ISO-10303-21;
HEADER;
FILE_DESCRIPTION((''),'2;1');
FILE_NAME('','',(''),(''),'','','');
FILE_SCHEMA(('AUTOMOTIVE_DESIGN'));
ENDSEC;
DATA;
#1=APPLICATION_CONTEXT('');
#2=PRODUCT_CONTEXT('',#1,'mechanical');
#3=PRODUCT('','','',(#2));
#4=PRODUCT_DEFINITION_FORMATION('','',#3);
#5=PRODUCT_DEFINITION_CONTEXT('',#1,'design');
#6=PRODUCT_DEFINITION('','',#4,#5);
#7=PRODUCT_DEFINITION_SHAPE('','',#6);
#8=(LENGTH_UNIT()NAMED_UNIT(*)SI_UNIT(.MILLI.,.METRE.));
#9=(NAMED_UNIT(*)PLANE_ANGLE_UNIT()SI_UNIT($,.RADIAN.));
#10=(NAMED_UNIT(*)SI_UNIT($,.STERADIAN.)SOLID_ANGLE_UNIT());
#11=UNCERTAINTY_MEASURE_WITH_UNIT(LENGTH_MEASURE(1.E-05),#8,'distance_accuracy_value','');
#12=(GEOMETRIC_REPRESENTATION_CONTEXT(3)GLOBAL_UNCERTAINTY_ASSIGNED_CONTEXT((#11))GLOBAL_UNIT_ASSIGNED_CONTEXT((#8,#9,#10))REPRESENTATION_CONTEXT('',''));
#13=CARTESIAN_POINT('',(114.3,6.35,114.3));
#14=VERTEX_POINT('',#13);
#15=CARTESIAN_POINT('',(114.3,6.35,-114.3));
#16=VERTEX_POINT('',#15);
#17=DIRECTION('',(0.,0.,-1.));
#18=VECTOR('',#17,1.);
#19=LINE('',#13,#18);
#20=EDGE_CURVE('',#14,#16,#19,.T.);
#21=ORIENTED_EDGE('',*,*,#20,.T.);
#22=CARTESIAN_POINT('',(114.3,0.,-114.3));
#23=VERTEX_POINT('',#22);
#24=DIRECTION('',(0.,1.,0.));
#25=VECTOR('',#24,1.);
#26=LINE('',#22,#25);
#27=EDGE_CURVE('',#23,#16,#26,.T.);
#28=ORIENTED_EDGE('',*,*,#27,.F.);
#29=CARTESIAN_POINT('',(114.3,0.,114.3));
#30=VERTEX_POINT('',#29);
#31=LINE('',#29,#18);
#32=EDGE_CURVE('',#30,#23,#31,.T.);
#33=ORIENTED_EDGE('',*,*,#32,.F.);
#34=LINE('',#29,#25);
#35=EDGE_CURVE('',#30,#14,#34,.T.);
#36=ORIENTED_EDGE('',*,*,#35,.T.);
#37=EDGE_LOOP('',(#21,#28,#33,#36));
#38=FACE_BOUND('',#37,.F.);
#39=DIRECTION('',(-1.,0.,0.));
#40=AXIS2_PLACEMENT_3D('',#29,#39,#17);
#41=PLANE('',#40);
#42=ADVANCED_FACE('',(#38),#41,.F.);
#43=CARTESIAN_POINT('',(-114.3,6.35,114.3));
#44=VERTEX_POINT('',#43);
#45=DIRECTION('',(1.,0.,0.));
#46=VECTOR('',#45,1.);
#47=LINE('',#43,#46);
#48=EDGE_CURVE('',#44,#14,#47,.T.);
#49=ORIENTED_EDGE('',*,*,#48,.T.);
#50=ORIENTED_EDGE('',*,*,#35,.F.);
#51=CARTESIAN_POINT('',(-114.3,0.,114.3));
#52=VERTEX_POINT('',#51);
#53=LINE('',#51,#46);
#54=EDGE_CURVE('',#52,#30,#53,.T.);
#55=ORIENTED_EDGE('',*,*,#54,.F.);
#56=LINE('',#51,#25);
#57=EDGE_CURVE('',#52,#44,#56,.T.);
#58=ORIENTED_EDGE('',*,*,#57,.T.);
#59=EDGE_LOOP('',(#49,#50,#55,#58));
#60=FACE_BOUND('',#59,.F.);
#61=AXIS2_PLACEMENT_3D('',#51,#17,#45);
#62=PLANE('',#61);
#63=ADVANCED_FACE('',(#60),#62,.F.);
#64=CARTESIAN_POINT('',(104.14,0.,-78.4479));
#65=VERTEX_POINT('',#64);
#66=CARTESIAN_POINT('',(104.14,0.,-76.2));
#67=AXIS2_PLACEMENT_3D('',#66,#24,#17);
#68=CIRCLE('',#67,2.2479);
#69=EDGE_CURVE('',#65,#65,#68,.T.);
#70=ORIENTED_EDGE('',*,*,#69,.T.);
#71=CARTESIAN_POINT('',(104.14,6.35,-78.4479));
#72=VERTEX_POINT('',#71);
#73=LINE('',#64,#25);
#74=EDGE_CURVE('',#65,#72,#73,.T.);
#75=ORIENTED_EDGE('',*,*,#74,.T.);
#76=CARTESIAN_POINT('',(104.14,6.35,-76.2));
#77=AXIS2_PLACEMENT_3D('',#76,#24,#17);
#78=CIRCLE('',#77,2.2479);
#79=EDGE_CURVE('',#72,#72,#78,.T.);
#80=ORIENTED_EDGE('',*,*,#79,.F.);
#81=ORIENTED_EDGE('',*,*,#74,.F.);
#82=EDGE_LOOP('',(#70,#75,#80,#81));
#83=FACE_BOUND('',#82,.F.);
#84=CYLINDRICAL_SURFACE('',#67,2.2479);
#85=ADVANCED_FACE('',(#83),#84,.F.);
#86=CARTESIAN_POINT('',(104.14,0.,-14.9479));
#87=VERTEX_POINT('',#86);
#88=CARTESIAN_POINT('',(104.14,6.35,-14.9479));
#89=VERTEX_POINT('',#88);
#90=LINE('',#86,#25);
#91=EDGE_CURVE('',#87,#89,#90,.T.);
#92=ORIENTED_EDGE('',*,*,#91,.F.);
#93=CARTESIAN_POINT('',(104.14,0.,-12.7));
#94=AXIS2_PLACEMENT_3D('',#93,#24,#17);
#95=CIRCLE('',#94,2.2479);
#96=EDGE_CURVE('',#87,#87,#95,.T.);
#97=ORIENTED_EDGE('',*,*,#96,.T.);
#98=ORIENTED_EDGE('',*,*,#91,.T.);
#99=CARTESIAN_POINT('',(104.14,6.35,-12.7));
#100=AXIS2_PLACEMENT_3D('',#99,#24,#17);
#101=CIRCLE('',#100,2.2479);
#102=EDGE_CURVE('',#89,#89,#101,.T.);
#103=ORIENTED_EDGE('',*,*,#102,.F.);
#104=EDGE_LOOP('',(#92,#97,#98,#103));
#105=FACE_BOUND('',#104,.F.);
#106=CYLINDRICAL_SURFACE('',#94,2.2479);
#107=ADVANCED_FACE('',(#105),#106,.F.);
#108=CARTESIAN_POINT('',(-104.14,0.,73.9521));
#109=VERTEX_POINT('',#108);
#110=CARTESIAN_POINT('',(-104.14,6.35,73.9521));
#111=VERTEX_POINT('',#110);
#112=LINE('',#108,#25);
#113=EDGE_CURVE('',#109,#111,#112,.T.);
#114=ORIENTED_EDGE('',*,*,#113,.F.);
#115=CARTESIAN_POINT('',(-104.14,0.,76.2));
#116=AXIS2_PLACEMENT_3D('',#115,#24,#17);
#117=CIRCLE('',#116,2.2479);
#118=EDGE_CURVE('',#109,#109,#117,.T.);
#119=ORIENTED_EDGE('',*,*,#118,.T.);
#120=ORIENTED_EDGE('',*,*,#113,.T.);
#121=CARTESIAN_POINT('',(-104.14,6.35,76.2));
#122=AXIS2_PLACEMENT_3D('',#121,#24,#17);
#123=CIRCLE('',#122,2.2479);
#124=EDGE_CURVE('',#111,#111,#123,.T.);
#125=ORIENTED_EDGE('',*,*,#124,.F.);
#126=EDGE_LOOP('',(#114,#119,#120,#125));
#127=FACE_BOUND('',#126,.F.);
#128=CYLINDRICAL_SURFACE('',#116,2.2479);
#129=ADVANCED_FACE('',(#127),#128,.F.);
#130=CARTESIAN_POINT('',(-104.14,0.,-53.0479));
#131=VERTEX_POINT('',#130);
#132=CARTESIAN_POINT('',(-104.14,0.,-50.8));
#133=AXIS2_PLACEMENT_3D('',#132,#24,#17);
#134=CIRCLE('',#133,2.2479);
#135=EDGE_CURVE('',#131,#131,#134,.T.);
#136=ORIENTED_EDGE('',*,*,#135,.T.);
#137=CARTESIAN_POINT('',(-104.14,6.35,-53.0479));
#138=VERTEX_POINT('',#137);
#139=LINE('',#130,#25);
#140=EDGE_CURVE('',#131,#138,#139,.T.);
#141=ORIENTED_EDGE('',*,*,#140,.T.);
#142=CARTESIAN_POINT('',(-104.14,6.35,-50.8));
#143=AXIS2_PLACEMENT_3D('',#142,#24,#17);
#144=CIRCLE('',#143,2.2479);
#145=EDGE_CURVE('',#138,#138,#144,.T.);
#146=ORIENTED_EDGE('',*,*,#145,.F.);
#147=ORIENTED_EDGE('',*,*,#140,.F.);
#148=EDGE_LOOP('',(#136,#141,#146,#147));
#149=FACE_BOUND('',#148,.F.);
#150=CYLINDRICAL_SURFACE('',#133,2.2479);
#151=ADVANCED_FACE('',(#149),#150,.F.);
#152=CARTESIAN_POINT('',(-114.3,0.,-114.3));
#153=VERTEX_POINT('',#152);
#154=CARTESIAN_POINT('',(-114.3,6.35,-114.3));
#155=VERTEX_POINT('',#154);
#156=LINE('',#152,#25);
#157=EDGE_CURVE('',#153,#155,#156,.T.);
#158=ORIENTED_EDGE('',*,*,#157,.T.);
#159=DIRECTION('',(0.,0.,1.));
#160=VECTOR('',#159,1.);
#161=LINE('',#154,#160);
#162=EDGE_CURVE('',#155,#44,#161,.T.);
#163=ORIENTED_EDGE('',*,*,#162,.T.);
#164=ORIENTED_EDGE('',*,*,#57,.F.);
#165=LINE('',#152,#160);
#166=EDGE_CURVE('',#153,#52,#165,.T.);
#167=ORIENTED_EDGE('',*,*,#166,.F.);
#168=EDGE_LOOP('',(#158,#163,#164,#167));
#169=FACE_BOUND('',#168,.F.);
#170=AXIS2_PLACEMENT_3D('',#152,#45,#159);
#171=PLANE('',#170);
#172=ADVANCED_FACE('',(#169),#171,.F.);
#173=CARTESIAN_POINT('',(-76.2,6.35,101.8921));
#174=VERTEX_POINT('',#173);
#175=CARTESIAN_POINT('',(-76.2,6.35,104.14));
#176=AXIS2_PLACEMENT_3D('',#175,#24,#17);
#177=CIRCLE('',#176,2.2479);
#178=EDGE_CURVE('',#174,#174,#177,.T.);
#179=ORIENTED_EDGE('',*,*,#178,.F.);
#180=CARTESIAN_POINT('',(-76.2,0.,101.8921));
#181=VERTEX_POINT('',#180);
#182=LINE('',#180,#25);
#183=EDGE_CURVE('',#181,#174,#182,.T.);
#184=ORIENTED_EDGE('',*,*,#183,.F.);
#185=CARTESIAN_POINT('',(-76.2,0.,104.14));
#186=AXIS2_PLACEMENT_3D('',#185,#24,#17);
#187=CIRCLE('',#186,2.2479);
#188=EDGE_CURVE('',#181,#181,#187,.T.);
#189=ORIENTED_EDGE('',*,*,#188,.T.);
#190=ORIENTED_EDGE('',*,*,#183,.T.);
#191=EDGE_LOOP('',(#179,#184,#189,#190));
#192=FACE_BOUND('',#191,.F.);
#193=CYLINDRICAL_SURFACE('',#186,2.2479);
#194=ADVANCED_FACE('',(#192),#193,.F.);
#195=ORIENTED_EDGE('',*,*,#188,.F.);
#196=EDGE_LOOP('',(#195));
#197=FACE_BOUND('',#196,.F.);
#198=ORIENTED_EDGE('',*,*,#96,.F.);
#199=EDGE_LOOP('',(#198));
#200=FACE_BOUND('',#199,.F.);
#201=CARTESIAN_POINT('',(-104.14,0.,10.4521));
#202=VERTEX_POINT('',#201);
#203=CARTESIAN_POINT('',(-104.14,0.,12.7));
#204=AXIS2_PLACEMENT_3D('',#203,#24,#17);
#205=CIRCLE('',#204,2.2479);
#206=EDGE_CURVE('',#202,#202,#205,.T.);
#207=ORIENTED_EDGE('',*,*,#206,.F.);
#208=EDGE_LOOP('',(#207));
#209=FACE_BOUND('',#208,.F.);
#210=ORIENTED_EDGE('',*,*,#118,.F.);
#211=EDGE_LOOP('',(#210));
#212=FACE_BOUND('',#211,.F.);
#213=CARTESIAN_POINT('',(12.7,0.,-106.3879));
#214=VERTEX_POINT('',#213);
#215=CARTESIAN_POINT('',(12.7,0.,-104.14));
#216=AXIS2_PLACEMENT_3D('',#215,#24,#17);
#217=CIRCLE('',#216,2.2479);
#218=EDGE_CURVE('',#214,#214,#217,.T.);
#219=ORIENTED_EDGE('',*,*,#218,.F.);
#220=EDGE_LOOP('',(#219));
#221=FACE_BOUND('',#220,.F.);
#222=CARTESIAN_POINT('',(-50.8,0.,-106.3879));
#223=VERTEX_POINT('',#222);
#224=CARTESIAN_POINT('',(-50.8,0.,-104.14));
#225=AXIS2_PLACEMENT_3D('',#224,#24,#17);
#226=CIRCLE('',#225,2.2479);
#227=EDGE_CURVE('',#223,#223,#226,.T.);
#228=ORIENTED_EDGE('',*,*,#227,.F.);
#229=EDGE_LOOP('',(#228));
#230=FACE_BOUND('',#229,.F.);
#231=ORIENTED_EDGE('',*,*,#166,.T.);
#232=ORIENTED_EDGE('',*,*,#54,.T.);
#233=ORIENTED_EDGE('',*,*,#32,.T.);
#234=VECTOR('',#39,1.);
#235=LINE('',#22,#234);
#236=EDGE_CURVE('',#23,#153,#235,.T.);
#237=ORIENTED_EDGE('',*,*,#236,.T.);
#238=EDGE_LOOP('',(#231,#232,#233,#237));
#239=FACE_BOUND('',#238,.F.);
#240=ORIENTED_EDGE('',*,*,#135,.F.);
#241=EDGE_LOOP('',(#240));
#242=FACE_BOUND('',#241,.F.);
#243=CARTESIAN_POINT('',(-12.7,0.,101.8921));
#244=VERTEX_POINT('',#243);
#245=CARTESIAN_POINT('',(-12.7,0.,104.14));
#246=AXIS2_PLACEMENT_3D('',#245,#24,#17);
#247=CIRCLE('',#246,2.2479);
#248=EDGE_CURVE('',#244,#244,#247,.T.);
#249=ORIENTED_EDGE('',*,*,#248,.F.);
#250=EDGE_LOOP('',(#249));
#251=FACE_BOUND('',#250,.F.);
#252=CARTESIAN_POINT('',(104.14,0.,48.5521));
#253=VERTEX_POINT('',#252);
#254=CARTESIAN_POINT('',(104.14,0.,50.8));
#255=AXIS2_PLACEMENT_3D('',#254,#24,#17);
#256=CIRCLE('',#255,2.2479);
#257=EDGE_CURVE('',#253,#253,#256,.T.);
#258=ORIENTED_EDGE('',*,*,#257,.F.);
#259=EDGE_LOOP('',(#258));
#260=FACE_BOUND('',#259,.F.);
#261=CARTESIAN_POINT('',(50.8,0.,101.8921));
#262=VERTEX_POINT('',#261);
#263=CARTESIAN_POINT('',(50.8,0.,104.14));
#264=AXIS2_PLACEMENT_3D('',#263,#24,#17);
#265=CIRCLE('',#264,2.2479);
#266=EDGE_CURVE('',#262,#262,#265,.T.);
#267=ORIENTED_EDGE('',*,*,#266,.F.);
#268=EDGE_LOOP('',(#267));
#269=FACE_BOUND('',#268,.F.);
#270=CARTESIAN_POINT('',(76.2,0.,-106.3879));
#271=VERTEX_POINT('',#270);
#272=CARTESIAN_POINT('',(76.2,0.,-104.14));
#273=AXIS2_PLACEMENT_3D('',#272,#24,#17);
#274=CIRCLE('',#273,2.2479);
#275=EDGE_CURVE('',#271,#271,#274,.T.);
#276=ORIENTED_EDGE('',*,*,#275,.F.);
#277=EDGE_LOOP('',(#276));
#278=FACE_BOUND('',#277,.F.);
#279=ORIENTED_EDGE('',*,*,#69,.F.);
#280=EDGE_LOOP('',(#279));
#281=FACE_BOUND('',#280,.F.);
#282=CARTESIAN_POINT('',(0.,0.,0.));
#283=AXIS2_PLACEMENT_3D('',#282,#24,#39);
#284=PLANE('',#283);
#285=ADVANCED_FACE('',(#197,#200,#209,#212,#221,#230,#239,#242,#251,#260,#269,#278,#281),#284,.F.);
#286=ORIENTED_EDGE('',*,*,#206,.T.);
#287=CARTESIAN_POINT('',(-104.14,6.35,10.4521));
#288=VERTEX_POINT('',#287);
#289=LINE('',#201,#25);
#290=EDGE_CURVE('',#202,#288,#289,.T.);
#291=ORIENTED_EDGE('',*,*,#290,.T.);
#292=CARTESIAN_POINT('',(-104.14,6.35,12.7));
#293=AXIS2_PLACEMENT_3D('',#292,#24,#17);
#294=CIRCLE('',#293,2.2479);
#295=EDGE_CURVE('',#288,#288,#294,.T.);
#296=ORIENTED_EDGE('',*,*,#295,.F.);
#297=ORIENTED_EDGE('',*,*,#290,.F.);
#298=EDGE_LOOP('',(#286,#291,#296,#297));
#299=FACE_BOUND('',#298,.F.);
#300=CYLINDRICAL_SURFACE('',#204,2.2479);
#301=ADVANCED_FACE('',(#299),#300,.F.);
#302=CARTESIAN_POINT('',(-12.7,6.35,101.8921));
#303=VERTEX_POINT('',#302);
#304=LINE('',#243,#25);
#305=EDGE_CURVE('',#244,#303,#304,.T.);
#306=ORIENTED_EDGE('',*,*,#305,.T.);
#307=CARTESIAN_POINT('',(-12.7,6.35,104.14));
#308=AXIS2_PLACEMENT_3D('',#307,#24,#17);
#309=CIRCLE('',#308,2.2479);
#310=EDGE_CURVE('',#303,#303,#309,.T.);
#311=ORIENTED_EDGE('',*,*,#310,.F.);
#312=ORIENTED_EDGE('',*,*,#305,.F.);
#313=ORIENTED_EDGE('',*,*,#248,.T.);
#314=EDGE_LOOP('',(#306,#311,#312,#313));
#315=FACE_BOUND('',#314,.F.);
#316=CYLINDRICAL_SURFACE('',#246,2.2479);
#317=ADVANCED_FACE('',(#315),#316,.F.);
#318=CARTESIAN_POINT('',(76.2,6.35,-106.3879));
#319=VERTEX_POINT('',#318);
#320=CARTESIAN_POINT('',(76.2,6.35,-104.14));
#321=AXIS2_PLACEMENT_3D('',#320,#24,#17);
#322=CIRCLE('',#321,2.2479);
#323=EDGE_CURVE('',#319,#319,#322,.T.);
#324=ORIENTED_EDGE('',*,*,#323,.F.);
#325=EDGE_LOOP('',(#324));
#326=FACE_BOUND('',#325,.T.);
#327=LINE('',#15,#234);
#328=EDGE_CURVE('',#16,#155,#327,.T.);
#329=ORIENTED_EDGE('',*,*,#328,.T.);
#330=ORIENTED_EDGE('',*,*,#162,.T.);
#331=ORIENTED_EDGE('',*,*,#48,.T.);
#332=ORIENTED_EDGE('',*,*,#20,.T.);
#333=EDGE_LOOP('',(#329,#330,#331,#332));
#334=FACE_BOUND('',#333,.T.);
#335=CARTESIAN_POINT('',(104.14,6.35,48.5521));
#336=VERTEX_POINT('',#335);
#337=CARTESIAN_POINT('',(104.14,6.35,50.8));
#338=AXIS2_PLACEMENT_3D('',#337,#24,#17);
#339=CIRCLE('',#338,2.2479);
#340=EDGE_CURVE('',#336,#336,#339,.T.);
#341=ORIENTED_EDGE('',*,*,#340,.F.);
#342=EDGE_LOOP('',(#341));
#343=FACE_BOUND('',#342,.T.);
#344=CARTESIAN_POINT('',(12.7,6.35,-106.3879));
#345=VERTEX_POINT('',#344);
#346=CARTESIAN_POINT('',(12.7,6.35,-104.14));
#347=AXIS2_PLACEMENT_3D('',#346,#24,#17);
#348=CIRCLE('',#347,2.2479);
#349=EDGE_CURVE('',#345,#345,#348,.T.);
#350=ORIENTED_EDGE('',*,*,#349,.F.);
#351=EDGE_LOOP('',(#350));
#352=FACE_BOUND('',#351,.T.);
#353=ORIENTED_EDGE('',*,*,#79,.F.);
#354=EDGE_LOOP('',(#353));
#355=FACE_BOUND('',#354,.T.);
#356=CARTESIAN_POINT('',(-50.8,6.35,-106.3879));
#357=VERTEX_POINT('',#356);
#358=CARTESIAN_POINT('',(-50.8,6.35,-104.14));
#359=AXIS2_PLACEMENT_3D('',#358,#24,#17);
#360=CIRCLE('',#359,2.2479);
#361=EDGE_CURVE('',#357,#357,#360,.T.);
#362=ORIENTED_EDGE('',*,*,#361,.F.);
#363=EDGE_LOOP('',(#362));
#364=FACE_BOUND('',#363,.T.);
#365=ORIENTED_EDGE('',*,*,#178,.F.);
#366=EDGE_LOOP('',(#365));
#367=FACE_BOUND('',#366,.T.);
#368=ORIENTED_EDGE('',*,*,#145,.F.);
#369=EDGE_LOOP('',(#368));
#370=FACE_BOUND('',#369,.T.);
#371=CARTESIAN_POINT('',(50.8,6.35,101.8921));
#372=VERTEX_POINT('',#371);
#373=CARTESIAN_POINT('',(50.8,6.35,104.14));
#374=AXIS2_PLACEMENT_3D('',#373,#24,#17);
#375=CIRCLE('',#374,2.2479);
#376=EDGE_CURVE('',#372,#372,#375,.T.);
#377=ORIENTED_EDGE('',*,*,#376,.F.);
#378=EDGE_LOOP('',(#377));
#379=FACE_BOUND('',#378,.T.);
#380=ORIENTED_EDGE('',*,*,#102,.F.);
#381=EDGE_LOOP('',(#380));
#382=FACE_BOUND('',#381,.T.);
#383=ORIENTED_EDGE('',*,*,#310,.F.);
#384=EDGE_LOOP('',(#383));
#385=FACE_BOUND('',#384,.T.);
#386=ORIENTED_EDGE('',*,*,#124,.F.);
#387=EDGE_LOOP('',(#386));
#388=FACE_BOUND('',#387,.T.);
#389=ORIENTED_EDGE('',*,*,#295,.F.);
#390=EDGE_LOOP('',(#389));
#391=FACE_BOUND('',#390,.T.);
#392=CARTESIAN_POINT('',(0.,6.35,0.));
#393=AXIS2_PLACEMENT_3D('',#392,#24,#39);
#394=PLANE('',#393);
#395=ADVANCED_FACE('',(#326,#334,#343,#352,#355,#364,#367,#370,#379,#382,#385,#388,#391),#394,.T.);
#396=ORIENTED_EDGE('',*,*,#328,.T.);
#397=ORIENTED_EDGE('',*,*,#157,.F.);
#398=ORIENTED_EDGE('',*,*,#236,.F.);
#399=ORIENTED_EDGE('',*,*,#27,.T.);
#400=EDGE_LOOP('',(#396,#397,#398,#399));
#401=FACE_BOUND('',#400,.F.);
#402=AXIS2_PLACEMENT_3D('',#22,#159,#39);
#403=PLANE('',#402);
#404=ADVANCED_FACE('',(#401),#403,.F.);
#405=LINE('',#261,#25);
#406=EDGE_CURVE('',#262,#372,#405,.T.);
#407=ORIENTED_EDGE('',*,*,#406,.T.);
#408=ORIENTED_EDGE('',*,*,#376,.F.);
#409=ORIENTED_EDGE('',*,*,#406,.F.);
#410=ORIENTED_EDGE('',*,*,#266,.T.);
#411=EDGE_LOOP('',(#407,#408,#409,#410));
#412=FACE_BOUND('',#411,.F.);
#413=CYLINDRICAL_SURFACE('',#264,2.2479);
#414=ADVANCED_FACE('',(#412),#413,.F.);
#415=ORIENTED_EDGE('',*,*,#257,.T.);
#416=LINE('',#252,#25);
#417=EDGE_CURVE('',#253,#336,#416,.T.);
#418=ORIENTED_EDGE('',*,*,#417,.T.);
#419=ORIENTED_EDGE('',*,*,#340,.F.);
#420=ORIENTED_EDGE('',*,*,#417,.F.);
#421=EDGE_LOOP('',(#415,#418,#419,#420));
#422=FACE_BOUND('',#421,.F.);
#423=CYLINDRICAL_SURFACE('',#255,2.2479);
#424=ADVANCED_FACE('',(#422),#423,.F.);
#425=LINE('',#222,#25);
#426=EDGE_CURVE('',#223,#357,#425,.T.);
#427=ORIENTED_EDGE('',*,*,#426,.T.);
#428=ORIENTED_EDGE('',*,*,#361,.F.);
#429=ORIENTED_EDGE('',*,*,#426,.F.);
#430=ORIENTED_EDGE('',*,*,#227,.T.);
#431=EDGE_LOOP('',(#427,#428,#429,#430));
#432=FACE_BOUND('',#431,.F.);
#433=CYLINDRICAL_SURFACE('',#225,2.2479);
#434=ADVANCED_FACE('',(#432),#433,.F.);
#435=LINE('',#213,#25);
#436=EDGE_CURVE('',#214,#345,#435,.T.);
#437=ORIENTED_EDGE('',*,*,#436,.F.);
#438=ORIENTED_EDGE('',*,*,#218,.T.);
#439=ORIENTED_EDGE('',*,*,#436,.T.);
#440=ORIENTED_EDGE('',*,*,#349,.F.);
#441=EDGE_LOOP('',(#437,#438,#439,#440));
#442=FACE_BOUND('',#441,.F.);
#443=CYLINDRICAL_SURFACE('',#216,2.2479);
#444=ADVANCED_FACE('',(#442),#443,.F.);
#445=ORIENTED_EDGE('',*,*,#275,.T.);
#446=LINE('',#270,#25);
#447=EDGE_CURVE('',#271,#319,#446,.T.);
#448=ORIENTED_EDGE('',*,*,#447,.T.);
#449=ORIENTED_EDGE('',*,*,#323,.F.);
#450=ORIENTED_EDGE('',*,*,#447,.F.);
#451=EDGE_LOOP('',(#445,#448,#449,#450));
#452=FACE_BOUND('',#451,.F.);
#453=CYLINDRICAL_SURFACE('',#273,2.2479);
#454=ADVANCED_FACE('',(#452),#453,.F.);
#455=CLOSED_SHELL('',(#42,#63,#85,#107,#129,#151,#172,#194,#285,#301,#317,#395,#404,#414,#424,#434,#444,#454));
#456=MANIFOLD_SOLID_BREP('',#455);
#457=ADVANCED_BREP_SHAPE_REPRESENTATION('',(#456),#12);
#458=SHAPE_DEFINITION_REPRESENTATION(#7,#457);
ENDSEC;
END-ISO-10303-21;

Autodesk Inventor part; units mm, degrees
ref_plane "YZ Plane" through (0, 0, 0) normal (1, 0, 0) x (0, 1, 0)
ref_plane "XZ Plane" through (0, 0, 0) normal (0, 1, 0) x (-1, 0, 0)
ref_plane "XY Plane" through (0, 0, 0) normal (0, 0, 1) x (1, 0, 0)
sketch "Sketch1" plane through (0, 0, 0) normal (0, 1, 0) x (-1, 0, 0)
  line L0 (114.3, 114.3) -> (-114.3, 114.3)
  line L1 (-114.3, 114.3) -> (-114.3, -114.3)
  line L2 (-114.3, -114.3) -> (114.3, -114.3)
  line L3 (114.3, -114.3) -> (114.3, 114.3)
  point P0 (0, 0)
  dimension "d0" = 228.6
  dimension "d1" = 228.6
extrude "Extrusion1" add sketch "Sketch1" along normal blind 6.35
sketch "Sketch5" plane through (0, 0, 0) normal (0, 1, 0) x (1, 0, 0)
  line L0 (114.3, 114.3) -> (-114.3, 114.3) projected
  line L1 (-114.3, 114.3) -> (-104.14, 114.3)
  line L2 (-104.14, 114.3) -> (-114.3, 114.3)
  line L3 (-104.14, 114.3) -> (-104.14, 50.8)
  line L4 (-104.14, 50.8) -> (-104.14, -12.7)
  line L5 (-104.14, -12.7) -> (-104.14, -76.2)
  line L6 (-114.3, 114.3) -> (-114.3, 104.14)
  line L7 (-114.3, 114.3) -> (-114.3, -114.3) projected
  line L8 (-114.3, 104.14) -> (-50.8, 104.14)
  line L9 (-50.8, 104.14) -> (12.7, 104.14)
  line L10 (12.7, 104.14) -> (76.2, 104.14)
  line L11 (-114.3, -114.3) -> (114.3, -114.3) projected
  line L12 (114.3, -114.3) -> (114.3, -104.14)
  line L13 (114.3, -114.3) -> (114.3, 114.3) projected
  line L14 (114.3, -104.14) -> (50.8, -104.14)
  line L15 (50.8, -104.14) -> (-12.7, -104.14)
  line L16 (-12.7, -104.14) -> (-76.2, -104.14)
  line L17 (114.3, -114.3) -> (104.14, -114.3)
  line L18 (104.14, -114.3) -> (104.14, -50.8)
  line L19 (104.14, -50.8) -> (104.14, 12.7)
  line L20 (104.14, 12.7) -> (104.14, 76.2)
  point P0 (0, 0)
  dimension "d43" = 10.16
  dimension "d44" = 63.5
  dimension "d45" = 63.5
  dimension "d46" = 63.5
  dimension "d47" = 10.16
  dimension "d48" = 63.5
  dimension "d49" = 90
  dimension "d50" = 63.5
  dimension "d51" = 63.5
  dimension "d52" = 10.16
  dimension "d53" = 63.5
  dimension "d54" = 63.5
  dimension "d55" = 63.5
  dimension "d56" = 10.16
  dimension "d57" = 63.5
  dimension "d58" = 63.5
  dimension "d59" = 63.5
hole "Hole4" at (-104.14, 0, -50.8) at (-104.14, 0, 12.7) at (-50.8, 0, -104.14) at (12.7, 0, -104.14) at (-12.7, 0, 104.14) at (50.8, 0, 104.14) at (104.14, 0, 50.8) at (104.14, 0, -12.7) at (76.2, 0, -104.14) at (104.14, 0, -76.2) at (-104.14, 0, 76.2) at (-76.2, 0, 104.14) direction (0, 1, 0) diameter 4.4958 depth 25.4 clearance for "Hex Machine Screw" size "#8" standard "Ansi Unified Screw Threads"
properties part number "sheetmetallid"
